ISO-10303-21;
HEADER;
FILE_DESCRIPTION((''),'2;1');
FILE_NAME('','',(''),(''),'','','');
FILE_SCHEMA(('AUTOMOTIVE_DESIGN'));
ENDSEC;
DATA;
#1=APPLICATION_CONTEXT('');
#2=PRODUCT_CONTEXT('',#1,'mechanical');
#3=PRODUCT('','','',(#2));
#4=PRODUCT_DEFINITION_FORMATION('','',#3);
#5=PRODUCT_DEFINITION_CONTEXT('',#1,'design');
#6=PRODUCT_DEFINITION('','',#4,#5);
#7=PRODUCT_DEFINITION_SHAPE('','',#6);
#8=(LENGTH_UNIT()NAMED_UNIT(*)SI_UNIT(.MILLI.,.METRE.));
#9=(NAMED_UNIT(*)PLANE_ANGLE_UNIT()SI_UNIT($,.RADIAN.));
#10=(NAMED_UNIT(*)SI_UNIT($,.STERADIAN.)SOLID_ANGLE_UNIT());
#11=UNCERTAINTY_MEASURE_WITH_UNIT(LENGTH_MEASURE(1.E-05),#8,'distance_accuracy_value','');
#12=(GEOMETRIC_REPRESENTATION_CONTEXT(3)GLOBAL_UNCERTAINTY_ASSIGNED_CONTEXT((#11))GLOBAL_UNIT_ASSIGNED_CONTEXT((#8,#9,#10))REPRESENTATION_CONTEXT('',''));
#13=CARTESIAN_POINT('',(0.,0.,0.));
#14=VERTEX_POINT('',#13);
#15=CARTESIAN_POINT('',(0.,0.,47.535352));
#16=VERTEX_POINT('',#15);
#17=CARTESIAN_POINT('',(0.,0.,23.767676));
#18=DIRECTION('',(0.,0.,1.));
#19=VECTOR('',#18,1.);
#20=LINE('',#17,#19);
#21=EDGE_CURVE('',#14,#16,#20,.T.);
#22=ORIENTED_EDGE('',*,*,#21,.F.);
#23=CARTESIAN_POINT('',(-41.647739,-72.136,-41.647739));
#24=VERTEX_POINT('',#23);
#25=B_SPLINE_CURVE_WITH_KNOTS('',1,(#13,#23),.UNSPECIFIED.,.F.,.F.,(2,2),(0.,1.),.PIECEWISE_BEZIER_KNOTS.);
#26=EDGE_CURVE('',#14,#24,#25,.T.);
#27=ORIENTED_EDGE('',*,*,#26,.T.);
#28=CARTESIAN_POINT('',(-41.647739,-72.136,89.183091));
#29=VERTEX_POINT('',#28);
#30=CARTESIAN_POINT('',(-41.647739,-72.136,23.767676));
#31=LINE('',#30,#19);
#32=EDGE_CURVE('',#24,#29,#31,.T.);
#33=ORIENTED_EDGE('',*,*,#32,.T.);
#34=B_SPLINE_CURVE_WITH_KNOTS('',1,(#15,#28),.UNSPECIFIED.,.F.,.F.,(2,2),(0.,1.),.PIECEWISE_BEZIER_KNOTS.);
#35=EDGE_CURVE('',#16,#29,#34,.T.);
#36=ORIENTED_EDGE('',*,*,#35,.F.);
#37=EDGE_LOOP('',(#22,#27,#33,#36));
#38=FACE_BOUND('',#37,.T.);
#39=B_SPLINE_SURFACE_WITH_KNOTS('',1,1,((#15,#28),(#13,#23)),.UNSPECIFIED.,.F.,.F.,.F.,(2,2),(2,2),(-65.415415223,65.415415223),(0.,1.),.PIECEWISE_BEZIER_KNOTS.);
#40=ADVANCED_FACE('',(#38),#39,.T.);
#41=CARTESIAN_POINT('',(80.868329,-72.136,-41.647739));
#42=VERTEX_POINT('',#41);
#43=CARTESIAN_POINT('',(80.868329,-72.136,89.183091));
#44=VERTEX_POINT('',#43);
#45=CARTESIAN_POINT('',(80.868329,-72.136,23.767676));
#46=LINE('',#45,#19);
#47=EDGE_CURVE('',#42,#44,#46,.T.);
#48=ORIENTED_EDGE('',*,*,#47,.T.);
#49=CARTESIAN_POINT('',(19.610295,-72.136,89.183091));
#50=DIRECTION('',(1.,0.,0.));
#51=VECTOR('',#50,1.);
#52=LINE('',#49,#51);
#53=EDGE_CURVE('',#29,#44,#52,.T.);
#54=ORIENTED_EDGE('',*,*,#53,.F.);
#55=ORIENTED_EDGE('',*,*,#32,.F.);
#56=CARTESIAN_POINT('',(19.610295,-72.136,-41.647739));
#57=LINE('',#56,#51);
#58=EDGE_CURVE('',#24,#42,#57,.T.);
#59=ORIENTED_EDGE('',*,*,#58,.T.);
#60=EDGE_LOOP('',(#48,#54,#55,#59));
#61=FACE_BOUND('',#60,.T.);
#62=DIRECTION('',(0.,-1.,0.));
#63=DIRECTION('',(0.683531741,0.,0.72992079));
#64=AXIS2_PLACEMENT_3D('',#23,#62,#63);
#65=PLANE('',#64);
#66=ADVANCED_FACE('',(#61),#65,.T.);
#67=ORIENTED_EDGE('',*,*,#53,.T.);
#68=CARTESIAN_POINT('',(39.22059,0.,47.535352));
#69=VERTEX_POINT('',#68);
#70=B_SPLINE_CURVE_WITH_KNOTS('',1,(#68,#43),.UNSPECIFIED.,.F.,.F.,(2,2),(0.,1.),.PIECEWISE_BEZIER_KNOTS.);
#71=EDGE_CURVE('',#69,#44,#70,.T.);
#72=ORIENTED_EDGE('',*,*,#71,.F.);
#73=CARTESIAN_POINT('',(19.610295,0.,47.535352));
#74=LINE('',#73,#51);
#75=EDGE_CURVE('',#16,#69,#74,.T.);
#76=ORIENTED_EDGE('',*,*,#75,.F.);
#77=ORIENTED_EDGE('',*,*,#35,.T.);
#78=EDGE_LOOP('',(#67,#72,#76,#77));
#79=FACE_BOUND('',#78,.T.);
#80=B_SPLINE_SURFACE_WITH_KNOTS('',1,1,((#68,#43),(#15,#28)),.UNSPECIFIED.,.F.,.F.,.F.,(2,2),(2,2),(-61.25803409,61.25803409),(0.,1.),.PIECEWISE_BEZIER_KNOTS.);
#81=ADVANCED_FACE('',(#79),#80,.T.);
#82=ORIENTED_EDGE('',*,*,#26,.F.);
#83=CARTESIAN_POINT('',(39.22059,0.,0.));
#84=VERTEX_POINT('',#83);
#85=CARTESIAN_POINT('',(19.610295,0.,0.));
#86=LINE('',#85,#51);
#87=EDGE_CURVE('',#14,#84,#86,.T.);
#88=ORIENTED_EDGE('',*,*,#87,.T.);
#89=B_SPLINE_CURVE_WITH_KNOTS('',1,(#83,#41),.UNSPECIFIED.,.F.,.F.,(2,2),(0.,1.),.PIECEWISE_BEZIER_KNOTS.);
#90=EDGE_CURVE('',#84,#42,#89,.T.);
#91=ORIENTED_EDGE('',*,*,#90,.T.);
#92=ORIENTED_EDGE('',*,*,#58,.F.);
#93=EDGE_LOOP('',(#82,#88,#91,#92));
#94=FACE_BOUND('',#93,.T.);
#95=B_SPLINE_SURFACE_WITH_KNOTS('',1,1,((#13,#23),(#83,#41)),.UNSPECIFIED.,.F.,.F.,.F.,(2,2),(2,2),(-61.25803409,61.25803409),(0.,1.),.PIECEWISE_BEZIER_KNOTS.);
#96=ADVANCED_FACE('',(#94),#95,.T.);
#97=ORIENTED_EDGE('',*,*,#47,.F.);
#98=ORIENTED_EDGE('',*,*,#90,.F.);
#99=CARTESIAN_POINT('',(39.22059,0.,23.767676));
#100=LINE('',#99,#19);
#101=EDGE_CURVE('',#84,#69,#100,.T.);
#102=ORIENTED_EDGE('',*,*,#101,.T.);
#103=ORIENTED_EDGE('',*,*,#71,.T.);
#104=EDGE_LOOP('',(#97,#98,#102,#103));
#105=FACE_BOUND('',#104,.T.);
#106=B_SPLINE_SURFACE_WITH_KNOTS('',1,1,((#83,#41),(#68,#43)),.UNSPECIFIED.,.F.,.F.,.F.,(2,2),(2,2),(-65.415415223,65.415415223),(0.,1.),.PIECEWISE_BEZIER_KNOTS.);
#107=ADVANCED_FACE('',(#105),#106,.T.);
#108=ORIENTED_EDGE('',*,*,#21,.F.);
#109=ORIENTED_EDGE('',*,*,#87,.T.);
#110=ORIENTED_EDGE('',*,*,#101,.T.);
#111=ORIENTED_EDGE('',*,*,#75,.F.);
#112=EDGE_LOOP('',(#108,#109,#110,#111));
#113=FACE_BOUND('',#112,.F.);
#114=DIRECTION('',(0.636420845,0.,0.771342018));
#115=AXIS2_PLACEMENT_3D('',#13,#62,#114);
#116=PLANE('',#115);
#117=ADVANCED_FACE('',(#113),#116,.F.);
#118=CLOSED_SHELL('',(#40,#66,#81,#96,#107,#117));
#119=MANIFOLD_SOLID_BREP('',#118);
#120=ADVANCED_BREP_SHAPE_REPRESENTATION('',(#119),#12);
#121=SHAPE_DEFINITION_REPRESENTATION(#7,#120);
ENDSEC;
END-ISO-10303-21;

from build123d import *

# Parameters (mm, degrees)
F0_W     = 39.2205901444
F0_H     = 47.5353524089
F1_DEPTH = 72.136
F1_TAPER = -30


with BuildPart() as f1:
    # F0 (on Front) → F1 (new body)
    with BuildSketch(Plane.XZ):
        with Locations((19.6102950722, 23.7676762044)):
            Rectangle(F0_W, F0_H)
    extrude(amount=F1_DEPTH, taper=F1_TAPER)


solid = f1.part
